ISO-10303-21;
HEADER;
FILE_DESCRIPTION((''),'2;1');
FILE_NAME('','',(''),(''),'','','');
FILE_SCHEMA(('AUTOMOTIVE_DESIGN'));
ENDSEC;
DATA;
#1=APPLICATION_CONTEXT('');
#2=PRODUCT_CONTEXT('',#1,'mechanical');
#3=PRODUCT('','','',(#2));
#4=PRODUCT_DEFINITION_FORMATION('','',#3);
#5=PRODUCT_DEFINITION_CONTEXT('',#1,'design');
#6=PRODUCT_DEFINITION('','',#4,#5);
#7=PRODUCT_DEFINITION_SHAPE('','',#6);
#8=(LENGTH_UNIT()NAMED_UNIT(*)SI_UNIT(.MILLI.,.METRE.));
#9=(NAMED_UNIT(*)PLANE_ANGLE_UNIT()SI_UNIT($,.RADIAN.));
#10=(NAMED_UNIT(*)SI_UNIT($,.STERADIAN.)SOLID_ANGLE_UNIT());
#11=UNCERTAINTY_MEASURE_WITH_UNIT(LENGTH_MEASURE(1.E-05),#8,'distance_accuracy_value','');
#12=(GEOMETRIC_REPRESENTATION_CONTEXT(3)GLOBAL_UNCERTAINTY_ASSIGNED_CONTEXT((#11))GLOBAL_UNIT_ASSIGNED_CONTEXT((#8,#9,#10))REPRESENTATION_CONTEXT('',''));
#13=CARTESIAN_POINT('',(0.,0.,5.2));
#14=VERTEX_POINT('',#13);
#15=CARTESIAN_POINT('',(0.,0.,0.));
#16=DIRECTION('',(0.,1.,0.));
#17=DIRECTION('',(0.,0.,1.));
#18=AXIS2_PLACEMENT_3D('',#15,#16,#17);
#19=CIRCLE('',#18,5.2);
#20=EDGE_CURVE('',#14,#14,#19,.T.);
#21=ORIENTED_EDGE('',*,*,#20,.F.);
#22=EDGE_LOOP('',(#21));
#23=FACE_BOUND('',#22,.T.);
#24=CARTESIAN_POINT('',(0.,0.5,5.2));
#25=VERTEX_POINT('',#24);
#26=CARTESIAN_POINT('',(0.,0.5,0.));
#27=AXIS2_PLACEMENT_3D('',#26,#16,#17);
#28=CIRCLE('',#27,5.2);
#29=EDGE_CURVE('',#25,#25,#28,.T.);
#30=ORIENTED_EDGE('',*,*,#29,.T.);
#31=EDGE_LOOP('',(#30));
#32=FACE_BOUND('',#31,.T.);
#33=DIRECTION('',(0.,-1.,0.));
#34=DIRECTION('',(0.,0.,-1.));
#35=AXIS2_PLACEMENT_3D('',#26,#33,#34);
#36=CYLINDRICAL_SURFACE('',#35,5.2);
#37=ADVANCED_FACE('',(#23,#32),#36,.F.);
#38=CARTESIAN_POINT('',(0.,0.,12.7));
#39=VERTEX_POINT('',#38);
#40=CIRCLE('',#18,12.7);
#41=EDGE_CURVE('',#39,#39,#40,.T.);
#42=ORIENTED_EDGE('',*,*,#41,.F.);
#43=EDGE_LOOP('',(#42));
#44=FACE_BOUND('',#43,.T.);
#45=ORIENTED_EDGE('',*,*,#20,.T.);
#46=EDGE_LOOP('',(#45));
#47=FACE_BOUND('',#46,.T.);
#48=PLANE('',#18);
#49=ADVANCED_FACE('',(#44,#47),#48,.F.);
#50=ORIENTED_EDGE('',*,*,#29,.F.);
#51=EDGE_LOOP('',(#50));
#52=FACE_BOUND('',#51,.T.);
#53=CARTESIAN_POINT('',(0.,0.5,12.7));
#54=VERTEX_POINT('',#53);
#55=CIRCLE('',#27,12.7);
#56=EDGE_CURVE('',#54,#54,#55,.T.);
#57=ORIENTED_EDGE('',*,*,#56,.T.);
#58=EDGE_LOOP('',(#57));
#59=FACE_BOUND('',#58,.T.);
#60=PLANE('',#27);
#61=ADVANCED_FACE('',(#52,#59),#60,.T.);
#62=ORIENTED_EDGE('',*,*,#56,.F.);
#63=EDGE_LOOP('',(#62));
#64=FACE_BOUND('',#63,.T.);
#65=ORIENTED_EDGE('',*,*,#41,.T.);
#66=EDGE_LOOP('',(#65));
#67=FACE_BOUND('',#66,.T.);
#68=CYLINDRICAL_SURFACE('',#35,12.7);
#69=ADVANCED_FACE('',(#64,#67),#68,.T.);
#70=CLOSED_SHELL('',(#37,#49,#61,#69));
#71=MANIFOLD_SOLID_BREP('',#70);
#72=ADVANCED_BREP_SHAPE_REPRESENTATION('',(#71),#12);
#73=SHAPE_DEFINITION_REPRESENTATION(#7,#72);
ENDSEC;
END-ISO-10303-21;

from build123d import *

# Parameters (mm, degrees)
SKETCH_1_R      = 12.7
SKETCH_1_R_2    = 5.2
EXTRUDE_1_DEPTH = 0.5


with BuildPart() as part:
    # Эскиз1 → Вытянуть1 (new body)
    with BuildSketch(Plane(origin=(0, 0, 0), x_dir=(1, 0, 0), z_dir=(0, 1, 0))):
        with Locations(Location((0, 0, 0), (0, 0, 270))):
            Circle(SKETCH_1_R)
        with Locations(Location((0, 0, 0), (0, 0, 270))):
            Circle(SKETCH_1_R_2, mode=Mode.SUBTRACT)
    extrude(amount=EXTRUDE_1_DEPTH)


solid = part.part
